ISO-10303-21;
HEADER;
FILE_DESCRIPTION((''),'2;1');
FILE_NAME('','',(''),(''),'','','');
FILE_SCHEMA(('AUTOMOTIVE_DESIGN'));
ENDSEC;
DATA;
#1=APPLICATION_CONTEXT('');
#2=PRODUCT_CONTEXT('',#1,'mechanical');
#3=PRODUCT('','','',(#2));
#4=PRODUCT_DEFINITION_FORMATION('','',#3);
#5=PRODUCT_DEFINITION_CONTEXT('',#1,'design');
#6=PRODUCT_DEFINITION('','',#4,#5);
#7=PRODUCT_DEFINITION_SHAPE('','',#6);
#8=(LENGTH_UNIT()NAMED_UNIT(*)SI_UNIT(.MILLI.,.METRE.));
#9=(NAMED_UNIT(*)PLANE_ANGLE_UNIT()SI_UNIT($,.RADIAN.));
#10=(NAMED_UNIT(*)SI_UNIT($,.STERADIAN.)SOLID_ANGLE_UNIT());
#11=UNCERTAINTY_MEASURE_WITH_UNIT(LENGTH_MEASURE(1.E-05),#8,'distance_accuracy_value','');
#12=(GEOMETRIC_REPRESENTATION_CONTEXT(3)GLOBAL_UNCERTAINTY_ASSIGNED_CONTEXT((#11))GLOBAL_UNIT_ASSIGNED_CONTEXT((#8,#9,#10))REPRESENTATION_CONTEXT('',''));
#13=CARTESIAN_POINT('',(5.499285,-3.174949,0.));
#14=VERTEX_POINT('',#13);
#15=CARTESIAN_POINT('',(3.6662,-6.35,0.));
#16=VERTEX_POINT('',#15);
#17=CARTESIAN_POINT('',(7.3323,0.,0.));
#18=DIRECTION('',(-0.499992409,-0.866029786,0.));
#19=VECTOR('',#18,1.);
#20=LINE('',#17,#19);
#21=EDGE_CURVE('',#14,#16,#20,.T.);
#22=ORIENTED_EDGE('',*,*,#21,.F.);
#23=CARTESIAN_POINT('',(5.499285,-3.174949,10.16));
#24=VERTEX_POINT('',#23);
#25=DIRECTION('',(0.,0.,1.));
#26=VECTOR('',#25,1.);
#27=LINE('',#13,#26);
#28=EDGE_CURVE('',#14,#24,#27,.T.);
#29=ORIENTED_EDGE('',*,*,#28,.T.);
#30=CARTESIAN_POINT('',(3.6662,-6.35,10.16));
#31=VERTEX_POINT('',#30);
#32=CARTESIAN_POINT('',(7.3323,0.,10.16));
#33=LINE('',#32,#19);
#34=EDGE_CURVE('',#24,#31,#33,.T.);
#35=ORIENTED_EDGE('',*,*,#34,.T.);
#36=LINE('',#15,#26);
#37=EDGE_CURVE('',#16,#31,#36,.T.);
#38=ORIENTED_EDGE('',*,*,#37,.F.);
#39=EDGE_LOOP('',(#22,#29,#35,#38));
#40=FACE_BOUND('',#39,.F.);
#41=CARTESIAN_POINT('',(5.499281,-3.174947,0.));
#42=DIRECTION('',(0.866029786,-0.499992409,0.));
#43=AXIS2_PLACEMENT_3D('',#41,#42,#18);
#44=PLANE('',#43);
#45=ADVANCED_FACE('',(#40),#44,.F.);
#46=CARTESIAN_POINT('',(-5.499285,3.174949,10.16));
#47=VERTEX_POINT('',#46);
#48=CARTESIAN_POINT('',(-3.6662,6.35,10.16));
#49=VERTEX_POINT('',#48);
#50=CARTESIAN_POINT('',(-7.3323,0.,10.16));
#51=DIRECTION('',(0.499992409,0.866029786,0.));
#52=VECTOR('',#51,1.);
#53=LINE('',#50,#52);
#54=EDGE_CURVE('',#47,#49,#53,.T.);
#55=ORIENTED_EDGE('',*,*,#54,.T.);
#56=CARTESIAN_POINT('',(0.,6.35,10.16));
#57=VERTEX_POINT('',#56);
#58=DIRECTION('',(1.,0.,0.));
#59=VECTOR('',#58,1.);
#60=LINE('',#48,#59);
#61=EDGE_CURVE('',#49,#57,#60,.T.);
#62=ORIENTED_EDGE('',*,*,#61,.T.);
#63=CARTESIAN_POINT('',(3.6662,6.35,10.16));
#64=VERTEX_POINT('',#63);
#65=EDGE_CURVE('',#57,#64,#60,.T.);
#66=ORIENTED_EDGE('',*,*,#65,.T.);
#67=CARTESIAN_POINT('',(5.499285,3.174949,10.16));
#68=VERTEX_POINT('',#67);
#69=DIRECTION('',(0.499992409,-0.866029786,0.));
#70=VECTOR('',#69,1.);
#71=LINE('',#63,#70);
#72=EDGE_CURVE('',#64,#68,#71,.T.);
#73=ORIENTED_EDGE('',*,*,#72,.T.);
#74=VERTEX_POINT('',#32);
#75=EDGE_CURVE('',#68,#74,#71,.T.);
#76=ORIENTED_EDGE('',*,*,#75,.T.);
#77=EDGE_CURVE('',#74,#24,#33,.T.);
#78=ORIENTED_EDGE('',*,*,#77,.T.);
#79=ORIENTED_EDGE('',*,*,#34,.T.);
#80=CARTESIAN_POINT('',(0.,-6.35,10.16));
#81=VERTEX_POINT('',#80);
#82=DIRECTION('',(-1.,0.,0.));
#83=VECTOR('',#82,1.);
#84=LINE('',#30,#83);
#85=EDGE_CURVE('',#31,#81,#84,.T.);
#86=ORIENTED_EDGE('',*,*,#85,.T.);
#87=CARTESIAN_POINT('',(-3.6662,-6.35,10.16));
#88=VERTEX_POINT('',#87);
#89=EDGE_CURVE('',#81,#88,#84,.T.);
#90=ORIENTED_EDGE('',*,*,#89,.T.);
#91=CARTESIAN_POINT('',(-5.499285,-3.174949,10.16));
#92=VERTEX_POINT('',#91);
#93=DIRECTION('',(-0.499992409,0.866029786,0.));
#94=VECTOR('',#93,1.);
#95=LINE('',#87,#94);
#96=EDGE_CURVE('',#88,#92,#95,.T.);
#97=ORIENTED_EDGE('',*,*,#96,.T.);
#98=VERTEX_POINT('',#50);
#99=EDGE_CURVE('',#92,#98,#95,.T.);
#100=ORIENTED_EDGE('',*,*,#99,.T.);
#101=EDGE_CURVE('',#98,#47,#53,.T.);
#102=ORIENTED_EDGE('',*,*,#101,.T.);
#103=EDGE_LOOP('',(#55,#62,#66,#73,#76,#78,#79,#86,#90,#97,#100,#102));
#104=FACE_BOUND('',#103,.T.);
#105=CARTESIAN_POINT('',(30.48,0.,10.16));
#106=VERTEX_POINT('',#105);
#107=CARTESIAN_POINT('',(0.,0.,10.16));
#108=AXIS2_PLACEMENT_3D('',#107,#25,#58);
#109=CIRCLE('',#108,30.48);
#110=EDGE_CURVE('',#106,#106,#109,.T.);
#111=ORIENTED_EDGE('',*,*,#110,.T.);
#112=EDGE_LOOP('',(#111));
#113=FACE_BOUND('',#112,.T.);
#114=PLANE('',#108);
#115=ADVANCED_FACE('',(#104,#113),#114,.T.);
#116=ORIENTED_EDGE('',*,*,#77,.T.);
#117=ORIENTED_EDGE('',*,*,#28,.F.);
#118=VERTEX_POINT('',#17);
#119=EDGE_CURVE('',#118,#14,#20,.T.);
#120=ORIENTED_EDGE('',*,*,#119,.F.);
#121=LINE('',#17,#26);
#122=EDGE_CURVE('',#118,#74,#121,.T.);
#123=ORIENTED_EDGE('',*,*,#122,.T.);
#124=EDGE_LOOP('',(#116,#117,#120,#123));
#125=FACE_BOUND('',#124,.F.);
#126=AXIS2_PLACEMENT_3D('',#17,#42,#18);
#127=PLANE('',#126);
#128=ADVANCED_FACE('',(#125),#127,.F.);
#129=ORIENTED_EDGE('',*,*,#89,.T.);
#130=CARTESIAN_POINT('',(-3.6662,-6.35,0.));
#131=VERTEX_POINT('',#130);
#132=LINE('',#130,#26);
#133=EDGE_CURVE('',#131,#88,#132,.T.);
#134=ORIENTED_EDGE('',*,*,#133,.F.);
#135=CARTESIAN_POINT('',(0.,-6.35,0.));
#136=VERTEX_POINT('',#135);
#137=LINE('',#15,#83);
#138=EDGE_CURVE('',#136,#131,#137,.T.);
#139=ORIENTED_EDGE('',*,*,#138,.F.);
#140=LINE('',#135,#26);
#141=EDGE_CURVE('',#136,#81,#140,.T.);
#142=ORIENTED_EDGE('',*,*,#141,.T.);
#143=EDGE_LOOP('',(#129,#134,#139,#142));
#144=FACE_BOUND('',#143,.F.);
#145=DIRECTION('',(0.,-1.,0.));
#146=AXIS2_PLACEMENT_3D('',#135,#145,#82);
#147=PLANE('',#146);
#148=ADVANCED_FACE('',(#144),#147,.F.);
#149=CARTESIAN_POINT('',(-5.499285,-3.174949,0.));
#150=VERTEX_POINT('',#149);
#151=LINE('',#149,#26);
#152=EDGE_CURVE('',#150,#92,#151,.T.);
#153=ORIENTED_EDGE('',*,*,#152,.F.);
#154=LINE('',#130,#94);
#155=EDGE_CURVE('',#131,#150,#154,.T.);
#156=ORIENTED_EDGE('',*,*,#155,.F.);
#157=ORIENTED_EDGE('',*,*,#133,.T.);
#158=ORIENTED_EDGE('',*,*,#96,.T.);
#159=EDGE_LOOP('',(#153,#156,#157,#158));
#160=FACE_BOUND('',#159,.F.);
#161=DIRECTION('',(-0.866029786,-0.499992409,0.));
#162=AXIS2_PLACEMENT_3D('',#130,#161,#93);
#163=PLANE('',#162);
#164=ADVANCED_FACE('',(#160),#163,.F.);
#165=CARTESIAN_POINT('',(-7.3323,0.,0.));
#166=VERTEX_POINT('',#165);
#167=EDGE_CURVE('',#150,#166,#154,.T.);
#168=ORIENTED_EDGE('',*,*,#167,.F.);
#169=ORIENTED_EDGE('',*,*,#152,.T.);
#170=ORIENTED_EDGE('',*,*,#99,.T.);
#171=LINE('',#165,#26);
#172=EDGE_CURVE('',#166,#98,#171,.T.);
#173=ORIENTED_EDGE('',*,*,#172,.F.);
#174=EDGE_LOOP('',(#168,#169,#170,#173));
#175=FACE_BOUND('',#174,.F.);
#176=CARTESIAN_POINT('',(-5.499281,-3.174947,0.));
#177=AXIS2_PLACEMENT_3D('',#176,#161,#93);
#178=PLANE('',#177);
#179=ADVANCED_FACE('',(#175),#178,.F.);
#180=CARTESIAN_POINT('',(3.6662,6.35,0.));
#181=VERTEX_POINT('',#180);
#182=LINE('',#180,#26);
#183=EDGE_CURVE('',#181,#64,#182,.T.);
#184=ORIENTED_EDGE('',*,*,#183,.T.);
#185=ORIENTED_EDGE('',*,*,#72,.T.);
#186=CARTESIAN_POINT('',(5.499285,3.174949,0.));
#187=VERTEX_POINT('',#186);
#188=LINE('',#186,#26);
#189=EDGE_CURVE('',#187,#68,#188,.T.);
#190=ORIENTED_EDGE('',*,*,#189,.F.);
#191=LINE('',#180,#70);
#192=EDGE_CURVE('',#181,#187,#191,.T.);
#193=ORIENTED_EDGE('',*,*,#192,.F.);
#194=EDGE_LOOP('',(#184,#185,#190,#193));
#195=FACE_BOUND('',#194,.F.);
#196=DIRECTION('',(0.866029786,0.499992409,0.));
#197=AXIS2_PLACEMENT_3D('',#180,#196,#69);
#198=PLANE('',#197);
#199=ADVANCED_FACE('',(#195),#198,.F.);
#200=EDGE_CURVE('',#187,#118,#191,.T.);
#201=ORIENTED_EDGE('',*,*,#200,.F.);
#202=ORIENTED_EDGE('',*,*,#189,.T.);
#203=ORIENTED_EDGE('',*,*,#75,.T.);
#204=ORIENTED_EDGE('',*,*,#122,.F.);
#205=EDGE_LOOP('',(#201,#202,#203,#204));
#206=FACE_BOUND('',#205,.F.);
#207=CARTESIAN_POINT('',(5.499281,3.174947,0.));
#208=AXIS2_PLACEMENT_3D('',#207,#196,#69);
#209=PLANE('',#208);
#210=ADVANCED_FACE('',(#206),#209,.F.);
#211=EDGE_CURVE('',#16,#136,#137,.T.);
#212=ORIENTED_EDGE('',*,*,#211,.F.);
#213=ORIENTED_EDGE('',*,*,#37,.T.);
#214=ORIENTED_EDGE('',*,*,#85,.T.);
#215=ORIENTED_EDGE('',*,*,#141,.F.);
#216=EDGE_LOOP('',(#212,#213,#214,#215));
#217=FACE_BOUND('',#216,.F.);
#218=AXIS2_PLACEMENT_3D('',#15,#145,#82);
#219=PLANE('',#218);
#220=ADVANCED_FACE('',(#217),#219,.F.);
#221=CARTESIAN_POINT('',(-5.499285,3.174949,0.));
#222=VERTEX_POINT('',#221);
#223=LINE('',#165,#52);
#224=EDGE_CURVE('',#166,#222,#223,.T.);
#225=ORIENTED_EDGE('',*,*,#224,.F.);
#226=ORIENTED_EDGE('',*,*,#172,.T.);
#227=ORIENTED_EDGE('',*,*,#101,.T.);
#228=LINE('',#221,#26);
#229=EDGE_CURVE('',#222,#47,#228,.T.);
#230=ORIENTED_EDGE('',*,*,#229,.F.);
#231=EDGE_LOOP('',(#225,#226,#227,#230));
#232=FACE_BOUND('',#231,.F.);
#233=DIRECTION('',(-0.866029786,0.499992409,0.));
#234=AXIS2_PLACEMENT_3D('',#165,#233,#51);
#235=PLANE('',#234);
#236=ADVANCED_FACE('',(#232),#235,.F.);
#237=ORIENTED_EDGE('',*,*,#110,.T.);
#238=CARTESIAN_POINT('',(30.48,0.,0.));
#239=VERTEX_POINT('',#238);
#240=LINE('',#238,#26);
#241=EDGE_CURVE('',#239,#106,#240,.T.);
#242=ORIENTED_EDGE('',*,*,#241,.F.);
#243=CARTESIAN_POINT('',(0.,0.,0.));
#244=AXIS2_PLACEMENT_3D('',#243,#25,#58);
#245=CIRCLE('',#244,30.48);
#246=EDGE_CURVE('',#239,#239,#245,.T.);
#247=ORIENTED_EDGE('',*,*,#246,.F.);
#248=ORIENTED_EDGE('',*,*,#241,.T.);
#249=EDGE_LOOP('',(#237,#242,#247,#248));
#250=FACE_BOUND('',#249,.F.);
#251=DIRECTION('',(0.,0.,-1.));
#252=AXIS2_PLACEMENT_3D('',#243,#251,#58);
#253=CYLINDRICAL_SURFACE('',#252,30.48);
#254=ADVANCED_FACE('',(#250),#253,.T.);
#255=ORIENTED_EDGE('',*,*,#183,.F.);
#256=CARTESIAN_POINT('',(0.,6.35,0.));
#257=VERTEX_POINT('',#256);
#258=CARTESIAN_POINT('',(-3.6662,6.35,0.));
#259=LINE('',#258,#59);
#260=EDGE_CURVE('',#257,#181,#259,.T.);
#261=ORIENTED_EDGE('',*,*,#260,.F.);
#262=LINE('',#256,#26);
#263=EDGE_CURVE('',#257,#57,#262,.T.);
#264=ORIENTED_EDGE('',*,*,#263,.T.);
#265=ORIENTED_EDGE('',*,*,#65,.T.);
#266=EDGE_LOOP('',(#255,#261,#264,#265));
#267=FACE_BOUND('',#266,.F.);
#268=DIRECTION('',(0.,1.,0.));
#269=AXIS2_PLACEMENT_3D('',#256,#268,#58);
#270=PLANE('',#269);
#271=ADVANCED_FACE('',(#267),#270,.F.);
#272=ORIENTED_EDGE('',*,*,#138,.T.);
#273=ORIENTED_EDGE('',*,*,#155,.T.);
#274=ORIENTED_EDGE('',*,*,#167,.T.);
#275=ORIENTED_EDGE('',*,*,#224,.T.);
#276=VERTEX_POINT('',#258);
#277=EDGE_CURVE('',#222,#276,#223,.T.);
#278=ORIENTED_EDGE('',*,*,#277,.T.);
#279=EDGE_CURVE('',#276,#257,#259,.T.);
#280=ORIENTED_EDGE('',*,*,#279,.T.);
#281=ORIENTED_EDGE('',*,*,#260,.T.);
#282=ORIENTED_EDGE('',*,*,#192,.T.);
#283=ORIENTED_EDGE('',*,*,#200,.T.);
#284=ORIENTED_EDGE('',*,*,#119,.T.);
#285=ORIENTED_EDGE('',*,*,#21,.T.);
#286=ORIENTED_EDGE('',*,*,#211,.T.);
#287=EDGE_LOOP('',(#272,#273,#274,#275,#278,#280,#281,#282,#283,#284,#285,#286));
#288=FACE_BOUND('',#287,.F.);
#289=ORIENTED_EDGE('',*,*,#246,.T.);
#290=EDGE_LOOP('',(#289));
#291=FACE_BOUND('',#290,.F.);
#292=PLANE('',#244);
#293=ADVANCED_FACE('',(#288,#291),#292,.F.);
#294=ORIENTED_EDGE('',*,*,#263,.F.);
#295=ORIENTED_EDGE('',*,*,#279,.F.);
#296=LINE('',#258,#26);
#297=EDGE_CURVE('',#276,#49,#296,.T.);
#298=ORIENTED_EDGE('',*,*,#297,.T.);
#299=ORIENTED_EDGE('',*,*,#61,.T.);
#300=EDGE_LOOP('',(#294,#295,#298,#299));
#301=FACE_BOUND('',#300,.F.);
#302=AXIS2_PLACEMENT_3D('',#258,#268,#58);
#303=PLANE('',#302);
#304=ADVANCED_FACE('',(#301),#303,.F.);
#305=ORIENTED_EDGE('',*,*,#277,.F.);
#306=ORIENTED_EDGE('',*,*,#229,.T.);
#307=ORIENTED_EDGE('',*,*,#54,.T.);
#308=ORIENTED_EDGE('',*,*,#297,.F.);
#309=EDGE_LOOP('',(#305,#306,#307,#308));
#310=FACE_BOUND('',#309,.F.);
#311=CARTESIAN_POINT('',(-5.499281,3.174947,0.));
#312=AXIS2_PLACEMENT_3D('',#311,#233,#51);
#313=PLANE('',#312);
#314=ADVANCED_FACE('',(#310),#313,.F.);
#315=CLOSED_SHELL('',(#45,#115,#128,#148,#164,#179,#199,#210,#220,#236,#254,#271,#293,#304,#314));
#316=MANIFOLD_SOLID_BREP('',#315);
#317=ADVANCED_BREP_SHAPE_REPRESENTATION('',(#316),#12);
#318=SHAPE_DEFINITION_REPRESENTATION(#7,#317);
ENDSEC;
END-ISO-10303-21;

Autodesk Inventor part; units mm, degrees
ref_plane "YZ Plane" through (0, 0, 0) normal (1, 0, 0) x (0, 1, 0)
ref_plane "XZ Plane" through (0, 0, 0) normal (0, 1, 0) x (-1, 0, 0)
ref_plane "XY Plane" through (0, 0, 0) normal (0, 0, 1) x (1, 0, 0)
sketch "Sketch1" plane through (0, 0, 0) normal (0, 0, 1) x (1, 0, 0)
  circle A0 centre (0, 0) radius 30.48
  circle A1 centre (0, 0) radius 6.35
  line L0 (3.6662, 6.35) -> (7.3323, 0)
  line L1 (7.3323, 0) -> (3.6662, -6.35)
  line L2 (3.6662, -6.35) -> (-3.6662, -6.35)
  line L3 (-3.6662, -6.35) -> (-7.3323, 0)
  line L4 (-7.3323, 0) -> (-3.6662, 6.35)
  line L5 (-3.6662, 6.35) -> (3.6662, 6.35)
  point P0 (0, 6.35)
  dimension "d1" = 12.7
  dimension "d0" = 60.96
extrude "Extrusion1" add sketch "Sketch1" along normal blind 10.16
properties part number "aluminum hex gear"
